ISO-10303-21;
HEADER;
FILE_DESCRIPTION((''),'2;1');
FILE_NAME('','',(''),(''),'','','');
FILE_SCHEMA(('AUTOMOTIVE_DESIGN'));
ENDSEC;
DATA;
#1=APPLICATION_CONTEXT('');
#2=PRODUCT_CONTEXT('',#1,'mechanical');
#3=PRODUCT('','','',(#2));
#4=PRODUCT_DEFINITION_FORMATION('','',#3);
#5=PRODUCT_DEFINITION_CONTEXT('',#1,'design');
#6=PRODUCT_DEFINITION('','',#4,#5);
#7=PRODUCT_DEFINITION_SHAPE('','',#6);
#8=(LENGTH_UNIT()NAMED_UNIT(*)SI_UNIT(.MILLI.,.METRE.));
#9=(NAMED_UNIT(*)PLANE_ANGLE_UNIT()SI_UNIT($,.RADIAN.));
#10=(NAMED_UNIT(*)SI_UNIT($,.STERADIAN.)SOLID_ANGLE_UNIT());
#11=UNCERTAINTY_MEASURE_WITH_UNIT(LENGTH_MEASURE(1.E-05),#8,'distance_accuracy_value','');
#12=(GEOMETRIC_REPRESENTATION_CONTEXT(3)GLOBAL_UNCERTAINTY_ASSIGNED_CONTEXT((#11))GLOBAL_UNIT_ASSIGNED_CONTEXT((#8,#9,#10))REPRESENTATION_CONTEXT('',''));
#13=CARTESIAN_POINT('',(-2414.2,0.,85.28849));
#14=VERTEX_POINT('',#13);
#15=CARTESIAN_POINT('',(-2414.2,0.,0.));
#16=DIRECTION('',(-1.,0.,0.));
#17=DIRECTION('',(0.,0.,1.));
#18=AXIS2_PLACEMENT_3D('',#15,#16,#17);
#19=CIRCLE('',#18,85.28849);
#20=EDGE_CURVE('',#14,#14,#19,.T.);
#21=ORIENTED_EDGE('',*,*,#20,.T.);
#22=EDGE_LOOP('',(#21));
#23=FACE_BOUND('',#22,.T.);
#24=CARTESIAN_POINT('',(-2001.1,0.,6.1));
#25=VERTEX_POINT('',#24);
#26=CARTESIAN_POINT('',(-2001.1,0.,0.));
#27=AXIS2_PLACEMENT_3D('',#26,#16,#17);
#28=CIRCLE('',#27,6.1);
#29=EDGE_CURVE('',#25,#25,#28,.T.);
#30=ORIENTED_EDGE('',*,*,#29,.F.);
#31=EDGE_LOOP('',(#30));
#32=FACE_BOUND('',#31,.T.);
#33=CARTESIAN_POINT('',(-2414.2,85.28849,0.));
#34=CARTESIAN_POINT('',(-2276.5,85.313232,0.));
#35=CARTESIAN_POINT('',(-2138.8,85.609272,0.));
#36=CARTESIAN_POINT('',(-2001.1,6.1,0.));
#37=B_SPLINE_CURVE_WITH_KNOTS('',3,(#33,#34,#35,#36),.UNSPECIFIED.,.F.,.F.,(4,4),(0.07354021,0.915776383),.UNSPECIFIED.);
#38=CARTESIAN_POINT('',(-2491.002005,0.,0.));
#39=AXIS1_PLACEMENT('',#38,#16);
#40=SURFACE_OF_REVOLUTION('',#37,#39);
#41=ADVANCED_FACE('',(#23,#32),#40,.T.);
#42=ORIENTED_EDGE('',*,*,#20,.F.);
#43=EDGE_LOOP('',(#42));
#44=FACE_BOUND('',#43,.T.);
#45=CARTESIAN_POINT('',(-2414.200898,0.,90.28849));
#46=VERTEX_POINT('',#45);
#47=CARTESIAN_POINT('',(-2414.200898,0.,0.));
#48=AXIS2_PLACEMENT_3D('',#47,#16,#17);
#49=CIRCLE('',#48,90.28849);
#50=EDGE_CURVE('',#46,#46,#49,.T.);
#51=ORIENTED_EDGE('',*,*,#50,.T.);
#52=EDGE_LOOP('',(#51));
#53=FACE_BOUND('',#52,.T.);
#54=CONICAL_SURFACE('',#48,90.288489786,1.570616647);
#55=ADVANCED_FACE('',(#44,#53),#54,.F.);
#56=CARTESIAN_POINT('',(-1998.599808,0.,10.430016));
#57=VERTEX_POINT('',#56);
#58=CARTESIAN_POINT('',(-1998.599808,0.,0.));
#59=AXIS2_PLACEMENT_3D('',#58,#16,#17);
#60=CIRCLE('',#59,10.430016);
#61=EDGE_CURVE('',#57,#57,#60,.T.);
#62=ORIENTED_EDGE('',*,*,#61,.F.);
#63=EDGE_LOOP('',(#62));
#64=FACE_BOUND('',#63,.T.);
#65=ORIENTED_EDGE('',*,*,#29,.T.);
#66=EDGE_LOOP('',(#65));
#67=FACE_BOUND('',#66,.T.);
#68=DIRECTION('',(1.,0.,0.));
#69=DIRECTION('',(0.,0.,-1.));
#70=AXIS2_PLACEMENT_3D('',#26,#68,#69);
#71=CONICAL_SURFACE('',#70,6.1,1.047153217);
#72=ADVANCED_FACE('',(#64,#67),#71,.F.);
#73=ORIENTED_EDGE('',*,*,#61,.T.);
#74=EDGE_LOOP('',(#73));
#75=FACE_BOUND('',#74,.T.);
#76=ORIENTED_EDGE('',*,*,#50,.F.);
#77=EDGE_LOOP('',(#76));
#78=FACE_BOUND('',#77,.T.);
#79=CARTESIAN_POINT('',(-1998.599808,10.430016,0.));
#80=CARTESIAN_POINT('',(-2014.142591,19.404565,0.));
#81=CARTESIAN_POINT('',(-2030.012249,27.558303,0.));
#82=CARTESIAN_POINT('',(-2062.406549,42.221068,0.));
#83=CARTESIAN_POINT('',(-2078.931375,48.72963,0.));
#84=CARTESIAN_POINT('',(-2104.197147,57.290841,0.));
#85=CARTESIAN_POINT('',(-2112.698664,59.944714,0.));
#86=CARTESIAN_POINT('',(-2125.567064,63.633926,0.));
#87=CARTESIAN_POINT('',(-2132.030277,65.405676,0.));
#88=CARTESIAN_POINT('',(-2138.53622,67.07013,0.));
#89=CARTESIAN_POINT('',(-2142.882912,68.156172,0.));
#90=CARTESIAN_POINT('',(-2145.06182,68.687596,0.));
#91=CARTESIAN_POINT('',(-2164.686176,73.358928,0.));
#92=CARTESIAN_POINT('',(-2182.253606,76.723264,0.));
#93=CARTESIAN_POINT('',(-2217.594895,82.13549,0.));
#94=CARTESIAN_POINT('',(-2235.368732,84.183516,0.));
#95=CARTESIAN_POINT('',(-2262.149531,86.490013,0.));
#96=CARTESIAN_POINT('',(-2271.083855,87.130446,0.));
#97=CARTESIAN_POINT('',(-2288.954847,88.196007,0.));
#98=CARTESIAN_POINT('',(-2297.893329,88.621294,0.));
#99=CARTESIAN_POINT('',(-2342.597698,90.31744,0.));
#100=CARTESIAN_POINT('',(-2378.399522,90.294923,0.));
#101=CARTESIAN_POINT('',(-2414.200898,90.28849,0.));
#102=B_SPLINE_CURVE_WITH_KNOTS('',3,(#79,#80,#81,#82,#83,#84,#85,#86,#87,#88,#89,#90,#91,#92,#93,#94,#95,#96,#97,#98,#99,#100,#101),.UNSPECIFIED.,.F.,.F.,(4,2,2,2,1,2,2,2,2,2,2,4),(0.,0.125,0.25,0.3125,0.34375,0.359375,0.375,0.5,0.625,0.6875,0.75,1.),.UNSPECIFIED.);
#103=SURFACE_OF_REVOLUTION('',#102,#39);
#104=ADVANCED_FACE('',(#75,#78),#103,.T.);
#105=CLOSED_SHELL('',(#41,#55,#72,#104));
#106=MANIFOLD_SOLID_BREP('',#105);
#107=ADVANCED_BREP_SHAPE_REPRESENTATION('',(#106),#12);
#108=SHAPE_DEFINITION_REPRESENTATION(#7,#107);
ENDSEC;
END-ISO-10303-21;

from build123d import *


with BuildPart() as part:
    # Schizzo1 → Rivoluzione1 (revolve)
    with BuildSketch(Plane.XY):
        with BuildLine():
            Line((-2001.1, 6.1), (-1998.599808029, 10.430016179))
            add(Edge.make_bspline(
                [(-2414.200898397, 90.288489786), (-2378.399521511, 90.294922555), (-2342.597697709, 90.317439544), (-2297.893329192, 88.621294249), (-2288.954846707, 88.19600693), (-2271.083855348, 87.130446278), (-2262.149531122, 86.490013213), (-2235.368732308, 84.18351643), (-2217.594895047, 82.135489923), (-2182.253606336, 76.723264297), (-2164.686176447, 73.358927674), (-2145.061820389, 68.687595735), (-2142.882911625, 68.156172047), (-2138.53622029, 67.07013029), (-2132.030277364, 65.405676356), (-2125.567063857, 63.633925586), (-2112.698663775, 59.944713987), (-2104.197146895, 57.290840825), (-2078.931374991, 48.729629696), (-2062.406548595, 42.221068159), (-2030.012249193, 27.558302677), (-2014.142590625, 19.404564692), (-1998.599808029, 10.430016179)],
                knots=[0, 0, 0, 0, 0.25, 0.25, 0.3125, 0.3125, 0.375, 0.375, 0.5, 0.5, 0.625, 0.625, 0.640625, 0.640625, 0.65625, 0.6875, 0.6875, 0.75, 0.75, 0.875, 0.875, 1, 1, 1, 1], degree=3))
            Line((-2414.200898397, 90.288489786), (-2414.2, 85.288489867))
            add(Edge.make_bspline(
                [(-2414.2, 85.288489867), (-2276.5, 85.313231717), (-2138.8, 85.609272083), (-2001.1, 6.1)],
                knots=[0.07354021, 0.07354021, 0.07354021, 0.07354021, 0.915776383, 0.915776383, 0.915776383, 0.915776383], degree=3))
        make_face()
    revolve(axis=Axis((-2491.00200492, 0, 0), (1, 0, 0)))


solid = part.part
